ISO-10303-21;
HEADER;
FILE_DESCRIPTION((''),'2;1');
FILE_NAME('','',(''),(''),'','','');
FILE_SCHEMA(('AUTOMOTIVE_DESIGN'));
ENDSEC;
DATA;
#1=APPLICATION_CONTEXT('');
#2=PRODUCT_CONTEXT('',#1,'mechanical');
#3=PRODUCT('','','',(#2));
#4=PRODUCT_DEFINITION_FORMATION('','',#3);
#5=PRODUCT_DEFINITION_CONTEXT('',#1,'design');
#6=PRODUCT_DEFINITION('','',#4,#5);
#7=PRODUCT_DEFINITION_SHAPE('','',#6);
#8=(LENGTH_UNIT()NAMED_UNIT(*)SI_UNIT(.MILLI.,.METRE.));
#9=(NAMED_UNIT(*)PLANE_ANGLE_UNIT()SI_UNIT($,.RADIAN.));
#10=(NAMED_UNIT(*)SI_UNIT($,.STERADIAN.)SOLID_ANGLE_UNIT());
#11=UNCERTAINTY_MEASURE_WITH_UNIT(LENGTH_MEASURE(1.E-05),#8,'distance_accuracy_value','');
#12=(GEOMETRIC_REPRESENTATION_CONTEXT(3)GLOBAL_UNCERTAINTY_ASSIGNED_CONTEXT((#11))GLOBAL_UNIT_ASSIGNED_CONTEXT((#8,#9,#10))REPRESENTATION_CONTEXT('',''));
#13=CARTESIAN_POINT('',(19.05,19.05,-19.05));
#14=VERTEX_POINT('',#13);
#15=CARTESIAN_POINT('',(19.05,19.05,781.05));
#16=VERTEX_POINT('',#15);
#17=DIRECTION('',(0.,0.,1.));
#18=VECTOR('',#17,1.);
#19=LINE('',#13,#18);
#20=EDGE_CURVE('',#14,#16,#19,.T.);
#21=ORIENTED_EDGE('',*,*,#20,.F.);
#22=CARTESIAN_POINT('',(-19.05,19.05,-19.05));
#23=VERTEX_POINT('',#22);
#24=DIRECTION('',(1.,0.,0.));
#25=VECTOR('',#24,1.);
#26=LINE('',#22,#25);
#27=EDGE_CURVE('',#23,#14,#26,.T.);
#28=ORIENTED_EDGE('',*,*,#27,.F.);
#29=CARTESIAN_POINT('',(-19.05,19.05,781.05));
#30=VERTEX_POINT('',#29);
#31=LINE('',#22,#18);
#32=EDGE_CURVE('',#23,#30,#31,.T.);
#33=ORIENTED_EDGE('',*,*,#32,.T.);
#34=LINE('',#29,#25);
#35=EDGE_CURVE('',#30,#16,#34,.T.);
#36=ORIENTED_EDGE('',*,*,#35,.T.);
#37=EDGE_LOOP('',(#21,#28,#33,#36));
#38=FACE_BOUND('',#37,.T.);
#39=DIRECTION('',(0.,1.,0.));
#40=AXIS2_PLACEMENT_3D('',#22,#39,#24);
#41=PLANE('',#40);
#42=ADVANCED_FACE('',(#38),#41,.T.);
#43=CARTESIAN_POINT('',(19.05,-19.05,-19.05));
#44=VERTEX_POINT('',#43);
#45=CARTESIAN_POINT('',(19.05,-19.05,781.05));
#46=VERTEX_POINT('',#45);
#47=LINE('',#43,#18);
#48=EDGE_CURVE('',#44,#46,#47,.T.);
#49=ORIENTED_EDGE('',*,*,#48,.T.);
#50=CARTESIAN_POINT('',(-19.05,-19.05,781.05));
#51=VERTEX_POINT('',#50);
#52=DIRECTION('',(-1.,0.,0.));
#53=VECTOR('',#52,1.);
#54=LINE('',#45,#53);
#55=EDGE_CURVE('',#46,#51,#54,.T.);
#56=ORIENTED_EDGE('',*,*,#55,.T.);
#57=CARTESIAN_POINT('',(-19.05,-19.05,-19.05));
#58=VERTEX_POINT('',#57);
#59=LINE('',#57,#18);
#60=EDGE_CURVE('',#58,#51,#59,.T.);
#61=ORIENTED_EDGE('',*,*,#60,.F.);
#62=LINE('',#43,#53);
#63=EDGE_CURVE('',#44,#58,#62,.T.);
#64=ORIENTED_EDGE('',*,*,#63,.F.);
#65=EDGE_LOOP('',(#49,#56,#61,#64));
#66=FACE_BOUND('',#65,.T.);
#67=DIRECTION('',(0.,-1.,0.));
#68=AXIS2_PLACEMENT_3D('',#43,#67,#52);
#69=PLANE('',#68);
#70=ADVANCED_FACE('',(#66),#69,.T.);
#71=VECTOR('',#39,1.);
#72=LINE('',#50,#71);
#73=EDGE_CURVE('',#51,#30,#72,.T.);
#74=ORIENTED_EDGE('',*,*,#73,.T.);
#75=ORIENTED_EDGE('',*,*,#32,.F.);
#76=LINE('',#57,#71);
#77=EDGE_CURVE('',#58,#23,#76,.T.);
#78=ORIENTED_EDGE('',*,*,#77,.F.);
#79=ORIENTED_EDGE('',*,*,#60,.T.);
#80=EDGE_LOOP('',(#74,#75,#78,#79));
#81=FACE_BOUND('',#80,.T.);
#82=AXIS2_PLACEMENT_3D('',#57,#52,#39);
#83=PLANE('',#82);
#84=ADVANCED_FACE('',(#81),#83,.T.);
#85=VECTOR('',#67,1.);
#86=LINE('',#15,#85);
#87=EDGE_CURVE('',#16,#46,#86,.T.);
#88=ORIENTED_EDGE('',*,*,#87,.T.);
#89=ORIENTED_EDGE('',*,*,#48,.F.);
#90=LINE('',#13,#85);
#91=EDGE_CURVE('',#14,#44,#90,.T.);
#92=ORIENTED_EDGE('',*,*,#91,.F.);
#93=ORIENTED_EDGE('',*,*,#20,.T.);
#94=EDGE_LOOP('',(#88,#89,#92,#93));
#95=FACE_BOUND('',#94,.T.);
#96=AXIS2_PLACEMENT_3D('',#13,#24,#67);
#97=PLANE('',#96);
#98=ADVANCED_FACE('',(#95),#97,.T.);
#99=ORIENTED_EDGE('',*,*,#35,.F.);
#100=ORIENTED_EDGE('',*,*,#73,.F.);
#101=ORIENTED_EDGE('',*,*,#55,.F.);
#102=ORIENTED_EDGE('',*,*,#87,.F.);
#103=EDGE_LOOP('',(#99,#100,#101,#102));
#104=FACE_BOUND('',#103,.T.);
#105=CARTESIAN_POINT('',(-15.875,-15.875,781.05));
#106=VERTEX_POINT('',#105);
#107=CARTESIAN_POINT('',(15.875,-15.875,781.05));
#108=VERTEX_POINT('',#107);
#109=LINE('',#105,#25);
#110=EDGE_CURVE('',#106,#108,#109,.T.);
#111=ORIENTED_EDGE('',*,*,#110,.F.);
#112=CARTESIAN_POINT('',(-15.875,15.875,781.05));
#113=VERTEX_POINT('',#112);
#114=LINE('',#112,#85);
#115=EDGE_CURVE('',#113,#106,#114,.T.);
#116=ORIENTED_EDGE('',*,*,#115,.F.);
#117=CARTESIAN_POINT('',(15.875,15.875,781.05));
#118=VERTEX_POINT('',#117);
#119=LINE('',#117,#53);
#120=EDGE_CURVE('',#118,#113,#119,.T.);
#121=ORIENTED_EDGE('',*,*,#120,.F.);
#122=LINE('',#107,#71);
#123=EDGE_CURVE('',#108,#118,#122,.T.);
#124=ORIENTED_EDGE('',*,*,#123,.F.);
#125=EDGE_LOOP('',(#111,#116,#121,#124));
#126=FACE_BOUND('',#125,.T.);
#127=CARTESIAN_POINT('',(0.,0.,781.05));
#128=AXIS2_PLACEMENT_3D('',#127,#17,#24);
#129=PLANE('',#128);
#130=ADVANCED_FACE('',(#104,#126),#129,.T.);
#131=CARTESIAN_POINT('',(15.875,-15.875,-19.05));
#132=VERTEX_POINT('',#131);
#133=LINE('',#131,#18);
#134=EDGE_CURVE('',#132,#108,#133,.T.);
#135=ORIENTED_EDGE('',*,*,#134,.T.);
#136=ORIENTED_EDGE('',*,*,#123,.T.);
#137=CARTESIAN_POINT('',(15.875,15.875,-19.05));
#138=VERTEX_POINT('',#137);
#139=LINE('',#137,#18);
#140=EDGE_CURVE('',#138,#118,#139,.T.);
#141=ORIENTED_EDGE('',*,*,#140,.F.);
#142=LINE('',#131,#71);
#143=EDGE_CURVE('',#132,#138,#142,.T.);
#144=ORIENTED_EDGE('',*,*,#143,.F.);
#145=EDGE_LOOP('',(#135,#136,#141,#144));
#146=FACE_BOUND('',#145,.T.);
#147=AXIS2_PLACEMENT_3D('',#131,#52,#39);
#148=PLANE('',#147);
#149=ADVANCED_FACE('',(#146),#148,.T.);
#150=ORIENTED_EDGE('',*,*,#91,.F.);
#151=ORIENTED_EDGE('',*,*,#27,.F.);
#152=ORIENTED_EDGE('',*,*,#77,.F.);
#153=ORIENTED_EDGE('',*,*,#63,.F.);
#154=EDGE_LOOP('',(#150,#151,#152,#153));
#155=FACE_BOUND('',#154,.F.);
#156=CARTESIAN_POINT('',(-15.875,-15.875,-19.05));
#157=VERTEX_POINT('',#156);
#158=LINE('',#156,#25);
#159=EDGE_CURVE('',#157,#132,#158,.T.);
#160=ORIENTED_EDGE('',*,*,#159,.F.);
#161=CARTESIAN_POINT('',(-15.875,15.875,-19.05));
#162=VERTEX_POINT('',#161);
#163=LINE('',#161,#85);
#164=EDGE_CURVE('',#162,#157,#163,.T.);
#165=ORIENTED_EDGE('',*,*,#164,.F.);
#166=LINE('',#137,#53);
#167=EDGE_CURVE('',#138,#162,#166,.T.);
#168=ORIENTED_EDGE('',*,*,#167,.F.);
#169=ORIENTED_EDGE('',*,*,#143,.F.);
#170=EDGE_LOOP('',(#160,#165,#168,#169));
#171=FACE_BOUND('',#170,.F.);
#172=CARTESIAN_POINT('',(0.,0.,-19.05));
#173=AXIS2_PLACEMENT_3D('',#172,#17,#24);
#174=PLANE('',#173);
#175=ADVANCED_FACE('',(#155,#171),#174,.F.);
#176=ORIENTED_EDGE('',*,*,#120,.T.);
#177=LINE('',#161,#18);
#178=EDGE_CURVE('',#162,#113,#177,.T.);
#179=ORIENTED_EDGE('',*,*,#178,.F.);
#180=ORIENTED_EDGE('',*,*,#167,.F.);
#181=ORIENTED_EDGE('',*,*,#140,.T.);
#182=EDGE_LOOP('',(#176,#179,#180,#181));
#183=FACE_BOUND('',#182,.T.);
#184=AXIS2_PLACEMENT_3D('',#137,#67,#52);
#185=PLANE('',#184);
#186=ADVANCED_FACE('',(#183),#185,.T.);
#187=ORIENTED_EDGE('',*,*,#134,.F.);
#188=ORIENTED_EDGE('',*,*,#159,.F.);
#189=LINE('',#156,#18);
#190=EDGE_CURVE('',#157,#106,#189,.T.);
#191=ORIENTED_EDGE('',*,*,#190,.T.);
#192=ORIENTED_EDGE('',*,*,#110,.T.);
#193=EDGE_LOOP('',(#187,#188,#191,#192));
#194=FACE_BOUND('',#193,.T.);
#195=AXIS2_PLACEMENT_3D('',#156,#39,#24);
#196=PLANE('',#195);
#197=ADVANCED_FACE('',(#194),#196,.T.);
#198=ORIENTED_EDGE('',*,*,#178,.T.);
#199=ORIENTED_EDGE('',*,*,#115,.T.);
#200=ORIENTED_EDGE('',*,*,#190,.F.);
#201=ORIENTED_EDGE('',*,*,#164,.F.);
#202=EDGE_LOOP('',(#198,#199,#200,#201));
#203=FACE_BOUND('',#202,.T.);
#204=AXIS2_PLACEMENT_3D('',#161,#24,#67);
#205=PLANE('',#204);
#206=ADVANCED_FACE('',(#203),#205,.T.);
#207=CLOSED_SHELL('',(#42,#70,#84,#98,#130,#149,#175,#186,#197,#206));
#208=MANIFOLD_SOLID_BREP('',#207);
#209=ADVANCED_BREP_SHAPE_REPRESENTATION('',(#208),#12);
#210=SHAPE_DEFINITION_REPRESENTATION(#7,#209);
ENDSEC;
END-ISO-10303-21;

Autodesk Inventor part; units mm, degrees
ref_plane "Start Plane" through (0, 0, -19.05) normal (0, 0, 1) x (1, 0, 0)
ref_plane "End Plane" through (0, 0, 781.05) normal (0, 0, 1) x (1, 0, 0)
sketch "Sketch" plane through (0, 0, 0) normal (0, 0, 1) x (1, 0, 0)
  line L0 (-19.05, 19.05) -> (19.05, 19.05)
  line L1 (19.05, 19.05) -> (19.05, -19.05)
  line L2 (19.05, -19.05) -> (-19.05, -19.05)
  line L3 (-19.05, -19.05) -> (-19.05, 19.05)
  line L4 (15.875, 15.875) -> (-15.875, 15.875)
  line L5 (-15.875, 15.875) -> (-15.875, -15.875)
  line L6 (-15.875, -15.875) -> (15.875, -15.875)
  line L7 (15.875, -15.875) -> (15.875, 15.875)
  point P0 (0, 0)
  point P1 (0, 19.05)
  point P2 (-19.05, 0)
  dimension "width" = 38.1
  dimension "d1" = 3.175
extrude "Body" add sketch "Sketch" along normal up to surface (800.1 mm away) from surface at -19.05
sketch "Sketch4" plane through (0, 0, 0) normal (0, 0, 1) x (1, 0, 0)
  line L0 (0, 0) -> (10, 0)
ref_plane "Work Plane4" through (0, 0, 0) normal (0, -1, 0) x (1, 0, 0)
sketch "Sketch5" plane through (0, 0, 0) normal (0, -1, 0) x (1, 0, 0)
  line L0 (-2, -19.05) -> (12, -19.05)
  line L1 (-2, 781.05) -> (12, 781.05)
  dimension "d9" = 800.1
ref_plane "Work Plane5" through (-1168.4, 12.7, -19.05) normal (0, 0, -1) x (-1, 0, 0)
split "Split1" plane through (-1168.4, 12.7, -19.05) removes the side toward (0, 0, -1)
ref_plane "Work Plane6" through (-1168.4, -12.7, 781.05) normal (0, 0, 1) x (1, 0, 0)
split "Split2" plane through (-1168.4, -12.7, 781.05) removes the side toward (0, 0, 1)
equation "\"G_OFFSET_START\" = 19.05"
equation "\"G_OFFSET_END\" = 19.05"
equation "\"d4\" = -G_OFFSET_START"
equation "\"d5\" = length + G_OFFSET_END"
equation "\"G_L\" = 762"
equation "\"length\" = 762"
properties part number "1.5x1.5x.125 Tube" material "Aluminum-6061"
